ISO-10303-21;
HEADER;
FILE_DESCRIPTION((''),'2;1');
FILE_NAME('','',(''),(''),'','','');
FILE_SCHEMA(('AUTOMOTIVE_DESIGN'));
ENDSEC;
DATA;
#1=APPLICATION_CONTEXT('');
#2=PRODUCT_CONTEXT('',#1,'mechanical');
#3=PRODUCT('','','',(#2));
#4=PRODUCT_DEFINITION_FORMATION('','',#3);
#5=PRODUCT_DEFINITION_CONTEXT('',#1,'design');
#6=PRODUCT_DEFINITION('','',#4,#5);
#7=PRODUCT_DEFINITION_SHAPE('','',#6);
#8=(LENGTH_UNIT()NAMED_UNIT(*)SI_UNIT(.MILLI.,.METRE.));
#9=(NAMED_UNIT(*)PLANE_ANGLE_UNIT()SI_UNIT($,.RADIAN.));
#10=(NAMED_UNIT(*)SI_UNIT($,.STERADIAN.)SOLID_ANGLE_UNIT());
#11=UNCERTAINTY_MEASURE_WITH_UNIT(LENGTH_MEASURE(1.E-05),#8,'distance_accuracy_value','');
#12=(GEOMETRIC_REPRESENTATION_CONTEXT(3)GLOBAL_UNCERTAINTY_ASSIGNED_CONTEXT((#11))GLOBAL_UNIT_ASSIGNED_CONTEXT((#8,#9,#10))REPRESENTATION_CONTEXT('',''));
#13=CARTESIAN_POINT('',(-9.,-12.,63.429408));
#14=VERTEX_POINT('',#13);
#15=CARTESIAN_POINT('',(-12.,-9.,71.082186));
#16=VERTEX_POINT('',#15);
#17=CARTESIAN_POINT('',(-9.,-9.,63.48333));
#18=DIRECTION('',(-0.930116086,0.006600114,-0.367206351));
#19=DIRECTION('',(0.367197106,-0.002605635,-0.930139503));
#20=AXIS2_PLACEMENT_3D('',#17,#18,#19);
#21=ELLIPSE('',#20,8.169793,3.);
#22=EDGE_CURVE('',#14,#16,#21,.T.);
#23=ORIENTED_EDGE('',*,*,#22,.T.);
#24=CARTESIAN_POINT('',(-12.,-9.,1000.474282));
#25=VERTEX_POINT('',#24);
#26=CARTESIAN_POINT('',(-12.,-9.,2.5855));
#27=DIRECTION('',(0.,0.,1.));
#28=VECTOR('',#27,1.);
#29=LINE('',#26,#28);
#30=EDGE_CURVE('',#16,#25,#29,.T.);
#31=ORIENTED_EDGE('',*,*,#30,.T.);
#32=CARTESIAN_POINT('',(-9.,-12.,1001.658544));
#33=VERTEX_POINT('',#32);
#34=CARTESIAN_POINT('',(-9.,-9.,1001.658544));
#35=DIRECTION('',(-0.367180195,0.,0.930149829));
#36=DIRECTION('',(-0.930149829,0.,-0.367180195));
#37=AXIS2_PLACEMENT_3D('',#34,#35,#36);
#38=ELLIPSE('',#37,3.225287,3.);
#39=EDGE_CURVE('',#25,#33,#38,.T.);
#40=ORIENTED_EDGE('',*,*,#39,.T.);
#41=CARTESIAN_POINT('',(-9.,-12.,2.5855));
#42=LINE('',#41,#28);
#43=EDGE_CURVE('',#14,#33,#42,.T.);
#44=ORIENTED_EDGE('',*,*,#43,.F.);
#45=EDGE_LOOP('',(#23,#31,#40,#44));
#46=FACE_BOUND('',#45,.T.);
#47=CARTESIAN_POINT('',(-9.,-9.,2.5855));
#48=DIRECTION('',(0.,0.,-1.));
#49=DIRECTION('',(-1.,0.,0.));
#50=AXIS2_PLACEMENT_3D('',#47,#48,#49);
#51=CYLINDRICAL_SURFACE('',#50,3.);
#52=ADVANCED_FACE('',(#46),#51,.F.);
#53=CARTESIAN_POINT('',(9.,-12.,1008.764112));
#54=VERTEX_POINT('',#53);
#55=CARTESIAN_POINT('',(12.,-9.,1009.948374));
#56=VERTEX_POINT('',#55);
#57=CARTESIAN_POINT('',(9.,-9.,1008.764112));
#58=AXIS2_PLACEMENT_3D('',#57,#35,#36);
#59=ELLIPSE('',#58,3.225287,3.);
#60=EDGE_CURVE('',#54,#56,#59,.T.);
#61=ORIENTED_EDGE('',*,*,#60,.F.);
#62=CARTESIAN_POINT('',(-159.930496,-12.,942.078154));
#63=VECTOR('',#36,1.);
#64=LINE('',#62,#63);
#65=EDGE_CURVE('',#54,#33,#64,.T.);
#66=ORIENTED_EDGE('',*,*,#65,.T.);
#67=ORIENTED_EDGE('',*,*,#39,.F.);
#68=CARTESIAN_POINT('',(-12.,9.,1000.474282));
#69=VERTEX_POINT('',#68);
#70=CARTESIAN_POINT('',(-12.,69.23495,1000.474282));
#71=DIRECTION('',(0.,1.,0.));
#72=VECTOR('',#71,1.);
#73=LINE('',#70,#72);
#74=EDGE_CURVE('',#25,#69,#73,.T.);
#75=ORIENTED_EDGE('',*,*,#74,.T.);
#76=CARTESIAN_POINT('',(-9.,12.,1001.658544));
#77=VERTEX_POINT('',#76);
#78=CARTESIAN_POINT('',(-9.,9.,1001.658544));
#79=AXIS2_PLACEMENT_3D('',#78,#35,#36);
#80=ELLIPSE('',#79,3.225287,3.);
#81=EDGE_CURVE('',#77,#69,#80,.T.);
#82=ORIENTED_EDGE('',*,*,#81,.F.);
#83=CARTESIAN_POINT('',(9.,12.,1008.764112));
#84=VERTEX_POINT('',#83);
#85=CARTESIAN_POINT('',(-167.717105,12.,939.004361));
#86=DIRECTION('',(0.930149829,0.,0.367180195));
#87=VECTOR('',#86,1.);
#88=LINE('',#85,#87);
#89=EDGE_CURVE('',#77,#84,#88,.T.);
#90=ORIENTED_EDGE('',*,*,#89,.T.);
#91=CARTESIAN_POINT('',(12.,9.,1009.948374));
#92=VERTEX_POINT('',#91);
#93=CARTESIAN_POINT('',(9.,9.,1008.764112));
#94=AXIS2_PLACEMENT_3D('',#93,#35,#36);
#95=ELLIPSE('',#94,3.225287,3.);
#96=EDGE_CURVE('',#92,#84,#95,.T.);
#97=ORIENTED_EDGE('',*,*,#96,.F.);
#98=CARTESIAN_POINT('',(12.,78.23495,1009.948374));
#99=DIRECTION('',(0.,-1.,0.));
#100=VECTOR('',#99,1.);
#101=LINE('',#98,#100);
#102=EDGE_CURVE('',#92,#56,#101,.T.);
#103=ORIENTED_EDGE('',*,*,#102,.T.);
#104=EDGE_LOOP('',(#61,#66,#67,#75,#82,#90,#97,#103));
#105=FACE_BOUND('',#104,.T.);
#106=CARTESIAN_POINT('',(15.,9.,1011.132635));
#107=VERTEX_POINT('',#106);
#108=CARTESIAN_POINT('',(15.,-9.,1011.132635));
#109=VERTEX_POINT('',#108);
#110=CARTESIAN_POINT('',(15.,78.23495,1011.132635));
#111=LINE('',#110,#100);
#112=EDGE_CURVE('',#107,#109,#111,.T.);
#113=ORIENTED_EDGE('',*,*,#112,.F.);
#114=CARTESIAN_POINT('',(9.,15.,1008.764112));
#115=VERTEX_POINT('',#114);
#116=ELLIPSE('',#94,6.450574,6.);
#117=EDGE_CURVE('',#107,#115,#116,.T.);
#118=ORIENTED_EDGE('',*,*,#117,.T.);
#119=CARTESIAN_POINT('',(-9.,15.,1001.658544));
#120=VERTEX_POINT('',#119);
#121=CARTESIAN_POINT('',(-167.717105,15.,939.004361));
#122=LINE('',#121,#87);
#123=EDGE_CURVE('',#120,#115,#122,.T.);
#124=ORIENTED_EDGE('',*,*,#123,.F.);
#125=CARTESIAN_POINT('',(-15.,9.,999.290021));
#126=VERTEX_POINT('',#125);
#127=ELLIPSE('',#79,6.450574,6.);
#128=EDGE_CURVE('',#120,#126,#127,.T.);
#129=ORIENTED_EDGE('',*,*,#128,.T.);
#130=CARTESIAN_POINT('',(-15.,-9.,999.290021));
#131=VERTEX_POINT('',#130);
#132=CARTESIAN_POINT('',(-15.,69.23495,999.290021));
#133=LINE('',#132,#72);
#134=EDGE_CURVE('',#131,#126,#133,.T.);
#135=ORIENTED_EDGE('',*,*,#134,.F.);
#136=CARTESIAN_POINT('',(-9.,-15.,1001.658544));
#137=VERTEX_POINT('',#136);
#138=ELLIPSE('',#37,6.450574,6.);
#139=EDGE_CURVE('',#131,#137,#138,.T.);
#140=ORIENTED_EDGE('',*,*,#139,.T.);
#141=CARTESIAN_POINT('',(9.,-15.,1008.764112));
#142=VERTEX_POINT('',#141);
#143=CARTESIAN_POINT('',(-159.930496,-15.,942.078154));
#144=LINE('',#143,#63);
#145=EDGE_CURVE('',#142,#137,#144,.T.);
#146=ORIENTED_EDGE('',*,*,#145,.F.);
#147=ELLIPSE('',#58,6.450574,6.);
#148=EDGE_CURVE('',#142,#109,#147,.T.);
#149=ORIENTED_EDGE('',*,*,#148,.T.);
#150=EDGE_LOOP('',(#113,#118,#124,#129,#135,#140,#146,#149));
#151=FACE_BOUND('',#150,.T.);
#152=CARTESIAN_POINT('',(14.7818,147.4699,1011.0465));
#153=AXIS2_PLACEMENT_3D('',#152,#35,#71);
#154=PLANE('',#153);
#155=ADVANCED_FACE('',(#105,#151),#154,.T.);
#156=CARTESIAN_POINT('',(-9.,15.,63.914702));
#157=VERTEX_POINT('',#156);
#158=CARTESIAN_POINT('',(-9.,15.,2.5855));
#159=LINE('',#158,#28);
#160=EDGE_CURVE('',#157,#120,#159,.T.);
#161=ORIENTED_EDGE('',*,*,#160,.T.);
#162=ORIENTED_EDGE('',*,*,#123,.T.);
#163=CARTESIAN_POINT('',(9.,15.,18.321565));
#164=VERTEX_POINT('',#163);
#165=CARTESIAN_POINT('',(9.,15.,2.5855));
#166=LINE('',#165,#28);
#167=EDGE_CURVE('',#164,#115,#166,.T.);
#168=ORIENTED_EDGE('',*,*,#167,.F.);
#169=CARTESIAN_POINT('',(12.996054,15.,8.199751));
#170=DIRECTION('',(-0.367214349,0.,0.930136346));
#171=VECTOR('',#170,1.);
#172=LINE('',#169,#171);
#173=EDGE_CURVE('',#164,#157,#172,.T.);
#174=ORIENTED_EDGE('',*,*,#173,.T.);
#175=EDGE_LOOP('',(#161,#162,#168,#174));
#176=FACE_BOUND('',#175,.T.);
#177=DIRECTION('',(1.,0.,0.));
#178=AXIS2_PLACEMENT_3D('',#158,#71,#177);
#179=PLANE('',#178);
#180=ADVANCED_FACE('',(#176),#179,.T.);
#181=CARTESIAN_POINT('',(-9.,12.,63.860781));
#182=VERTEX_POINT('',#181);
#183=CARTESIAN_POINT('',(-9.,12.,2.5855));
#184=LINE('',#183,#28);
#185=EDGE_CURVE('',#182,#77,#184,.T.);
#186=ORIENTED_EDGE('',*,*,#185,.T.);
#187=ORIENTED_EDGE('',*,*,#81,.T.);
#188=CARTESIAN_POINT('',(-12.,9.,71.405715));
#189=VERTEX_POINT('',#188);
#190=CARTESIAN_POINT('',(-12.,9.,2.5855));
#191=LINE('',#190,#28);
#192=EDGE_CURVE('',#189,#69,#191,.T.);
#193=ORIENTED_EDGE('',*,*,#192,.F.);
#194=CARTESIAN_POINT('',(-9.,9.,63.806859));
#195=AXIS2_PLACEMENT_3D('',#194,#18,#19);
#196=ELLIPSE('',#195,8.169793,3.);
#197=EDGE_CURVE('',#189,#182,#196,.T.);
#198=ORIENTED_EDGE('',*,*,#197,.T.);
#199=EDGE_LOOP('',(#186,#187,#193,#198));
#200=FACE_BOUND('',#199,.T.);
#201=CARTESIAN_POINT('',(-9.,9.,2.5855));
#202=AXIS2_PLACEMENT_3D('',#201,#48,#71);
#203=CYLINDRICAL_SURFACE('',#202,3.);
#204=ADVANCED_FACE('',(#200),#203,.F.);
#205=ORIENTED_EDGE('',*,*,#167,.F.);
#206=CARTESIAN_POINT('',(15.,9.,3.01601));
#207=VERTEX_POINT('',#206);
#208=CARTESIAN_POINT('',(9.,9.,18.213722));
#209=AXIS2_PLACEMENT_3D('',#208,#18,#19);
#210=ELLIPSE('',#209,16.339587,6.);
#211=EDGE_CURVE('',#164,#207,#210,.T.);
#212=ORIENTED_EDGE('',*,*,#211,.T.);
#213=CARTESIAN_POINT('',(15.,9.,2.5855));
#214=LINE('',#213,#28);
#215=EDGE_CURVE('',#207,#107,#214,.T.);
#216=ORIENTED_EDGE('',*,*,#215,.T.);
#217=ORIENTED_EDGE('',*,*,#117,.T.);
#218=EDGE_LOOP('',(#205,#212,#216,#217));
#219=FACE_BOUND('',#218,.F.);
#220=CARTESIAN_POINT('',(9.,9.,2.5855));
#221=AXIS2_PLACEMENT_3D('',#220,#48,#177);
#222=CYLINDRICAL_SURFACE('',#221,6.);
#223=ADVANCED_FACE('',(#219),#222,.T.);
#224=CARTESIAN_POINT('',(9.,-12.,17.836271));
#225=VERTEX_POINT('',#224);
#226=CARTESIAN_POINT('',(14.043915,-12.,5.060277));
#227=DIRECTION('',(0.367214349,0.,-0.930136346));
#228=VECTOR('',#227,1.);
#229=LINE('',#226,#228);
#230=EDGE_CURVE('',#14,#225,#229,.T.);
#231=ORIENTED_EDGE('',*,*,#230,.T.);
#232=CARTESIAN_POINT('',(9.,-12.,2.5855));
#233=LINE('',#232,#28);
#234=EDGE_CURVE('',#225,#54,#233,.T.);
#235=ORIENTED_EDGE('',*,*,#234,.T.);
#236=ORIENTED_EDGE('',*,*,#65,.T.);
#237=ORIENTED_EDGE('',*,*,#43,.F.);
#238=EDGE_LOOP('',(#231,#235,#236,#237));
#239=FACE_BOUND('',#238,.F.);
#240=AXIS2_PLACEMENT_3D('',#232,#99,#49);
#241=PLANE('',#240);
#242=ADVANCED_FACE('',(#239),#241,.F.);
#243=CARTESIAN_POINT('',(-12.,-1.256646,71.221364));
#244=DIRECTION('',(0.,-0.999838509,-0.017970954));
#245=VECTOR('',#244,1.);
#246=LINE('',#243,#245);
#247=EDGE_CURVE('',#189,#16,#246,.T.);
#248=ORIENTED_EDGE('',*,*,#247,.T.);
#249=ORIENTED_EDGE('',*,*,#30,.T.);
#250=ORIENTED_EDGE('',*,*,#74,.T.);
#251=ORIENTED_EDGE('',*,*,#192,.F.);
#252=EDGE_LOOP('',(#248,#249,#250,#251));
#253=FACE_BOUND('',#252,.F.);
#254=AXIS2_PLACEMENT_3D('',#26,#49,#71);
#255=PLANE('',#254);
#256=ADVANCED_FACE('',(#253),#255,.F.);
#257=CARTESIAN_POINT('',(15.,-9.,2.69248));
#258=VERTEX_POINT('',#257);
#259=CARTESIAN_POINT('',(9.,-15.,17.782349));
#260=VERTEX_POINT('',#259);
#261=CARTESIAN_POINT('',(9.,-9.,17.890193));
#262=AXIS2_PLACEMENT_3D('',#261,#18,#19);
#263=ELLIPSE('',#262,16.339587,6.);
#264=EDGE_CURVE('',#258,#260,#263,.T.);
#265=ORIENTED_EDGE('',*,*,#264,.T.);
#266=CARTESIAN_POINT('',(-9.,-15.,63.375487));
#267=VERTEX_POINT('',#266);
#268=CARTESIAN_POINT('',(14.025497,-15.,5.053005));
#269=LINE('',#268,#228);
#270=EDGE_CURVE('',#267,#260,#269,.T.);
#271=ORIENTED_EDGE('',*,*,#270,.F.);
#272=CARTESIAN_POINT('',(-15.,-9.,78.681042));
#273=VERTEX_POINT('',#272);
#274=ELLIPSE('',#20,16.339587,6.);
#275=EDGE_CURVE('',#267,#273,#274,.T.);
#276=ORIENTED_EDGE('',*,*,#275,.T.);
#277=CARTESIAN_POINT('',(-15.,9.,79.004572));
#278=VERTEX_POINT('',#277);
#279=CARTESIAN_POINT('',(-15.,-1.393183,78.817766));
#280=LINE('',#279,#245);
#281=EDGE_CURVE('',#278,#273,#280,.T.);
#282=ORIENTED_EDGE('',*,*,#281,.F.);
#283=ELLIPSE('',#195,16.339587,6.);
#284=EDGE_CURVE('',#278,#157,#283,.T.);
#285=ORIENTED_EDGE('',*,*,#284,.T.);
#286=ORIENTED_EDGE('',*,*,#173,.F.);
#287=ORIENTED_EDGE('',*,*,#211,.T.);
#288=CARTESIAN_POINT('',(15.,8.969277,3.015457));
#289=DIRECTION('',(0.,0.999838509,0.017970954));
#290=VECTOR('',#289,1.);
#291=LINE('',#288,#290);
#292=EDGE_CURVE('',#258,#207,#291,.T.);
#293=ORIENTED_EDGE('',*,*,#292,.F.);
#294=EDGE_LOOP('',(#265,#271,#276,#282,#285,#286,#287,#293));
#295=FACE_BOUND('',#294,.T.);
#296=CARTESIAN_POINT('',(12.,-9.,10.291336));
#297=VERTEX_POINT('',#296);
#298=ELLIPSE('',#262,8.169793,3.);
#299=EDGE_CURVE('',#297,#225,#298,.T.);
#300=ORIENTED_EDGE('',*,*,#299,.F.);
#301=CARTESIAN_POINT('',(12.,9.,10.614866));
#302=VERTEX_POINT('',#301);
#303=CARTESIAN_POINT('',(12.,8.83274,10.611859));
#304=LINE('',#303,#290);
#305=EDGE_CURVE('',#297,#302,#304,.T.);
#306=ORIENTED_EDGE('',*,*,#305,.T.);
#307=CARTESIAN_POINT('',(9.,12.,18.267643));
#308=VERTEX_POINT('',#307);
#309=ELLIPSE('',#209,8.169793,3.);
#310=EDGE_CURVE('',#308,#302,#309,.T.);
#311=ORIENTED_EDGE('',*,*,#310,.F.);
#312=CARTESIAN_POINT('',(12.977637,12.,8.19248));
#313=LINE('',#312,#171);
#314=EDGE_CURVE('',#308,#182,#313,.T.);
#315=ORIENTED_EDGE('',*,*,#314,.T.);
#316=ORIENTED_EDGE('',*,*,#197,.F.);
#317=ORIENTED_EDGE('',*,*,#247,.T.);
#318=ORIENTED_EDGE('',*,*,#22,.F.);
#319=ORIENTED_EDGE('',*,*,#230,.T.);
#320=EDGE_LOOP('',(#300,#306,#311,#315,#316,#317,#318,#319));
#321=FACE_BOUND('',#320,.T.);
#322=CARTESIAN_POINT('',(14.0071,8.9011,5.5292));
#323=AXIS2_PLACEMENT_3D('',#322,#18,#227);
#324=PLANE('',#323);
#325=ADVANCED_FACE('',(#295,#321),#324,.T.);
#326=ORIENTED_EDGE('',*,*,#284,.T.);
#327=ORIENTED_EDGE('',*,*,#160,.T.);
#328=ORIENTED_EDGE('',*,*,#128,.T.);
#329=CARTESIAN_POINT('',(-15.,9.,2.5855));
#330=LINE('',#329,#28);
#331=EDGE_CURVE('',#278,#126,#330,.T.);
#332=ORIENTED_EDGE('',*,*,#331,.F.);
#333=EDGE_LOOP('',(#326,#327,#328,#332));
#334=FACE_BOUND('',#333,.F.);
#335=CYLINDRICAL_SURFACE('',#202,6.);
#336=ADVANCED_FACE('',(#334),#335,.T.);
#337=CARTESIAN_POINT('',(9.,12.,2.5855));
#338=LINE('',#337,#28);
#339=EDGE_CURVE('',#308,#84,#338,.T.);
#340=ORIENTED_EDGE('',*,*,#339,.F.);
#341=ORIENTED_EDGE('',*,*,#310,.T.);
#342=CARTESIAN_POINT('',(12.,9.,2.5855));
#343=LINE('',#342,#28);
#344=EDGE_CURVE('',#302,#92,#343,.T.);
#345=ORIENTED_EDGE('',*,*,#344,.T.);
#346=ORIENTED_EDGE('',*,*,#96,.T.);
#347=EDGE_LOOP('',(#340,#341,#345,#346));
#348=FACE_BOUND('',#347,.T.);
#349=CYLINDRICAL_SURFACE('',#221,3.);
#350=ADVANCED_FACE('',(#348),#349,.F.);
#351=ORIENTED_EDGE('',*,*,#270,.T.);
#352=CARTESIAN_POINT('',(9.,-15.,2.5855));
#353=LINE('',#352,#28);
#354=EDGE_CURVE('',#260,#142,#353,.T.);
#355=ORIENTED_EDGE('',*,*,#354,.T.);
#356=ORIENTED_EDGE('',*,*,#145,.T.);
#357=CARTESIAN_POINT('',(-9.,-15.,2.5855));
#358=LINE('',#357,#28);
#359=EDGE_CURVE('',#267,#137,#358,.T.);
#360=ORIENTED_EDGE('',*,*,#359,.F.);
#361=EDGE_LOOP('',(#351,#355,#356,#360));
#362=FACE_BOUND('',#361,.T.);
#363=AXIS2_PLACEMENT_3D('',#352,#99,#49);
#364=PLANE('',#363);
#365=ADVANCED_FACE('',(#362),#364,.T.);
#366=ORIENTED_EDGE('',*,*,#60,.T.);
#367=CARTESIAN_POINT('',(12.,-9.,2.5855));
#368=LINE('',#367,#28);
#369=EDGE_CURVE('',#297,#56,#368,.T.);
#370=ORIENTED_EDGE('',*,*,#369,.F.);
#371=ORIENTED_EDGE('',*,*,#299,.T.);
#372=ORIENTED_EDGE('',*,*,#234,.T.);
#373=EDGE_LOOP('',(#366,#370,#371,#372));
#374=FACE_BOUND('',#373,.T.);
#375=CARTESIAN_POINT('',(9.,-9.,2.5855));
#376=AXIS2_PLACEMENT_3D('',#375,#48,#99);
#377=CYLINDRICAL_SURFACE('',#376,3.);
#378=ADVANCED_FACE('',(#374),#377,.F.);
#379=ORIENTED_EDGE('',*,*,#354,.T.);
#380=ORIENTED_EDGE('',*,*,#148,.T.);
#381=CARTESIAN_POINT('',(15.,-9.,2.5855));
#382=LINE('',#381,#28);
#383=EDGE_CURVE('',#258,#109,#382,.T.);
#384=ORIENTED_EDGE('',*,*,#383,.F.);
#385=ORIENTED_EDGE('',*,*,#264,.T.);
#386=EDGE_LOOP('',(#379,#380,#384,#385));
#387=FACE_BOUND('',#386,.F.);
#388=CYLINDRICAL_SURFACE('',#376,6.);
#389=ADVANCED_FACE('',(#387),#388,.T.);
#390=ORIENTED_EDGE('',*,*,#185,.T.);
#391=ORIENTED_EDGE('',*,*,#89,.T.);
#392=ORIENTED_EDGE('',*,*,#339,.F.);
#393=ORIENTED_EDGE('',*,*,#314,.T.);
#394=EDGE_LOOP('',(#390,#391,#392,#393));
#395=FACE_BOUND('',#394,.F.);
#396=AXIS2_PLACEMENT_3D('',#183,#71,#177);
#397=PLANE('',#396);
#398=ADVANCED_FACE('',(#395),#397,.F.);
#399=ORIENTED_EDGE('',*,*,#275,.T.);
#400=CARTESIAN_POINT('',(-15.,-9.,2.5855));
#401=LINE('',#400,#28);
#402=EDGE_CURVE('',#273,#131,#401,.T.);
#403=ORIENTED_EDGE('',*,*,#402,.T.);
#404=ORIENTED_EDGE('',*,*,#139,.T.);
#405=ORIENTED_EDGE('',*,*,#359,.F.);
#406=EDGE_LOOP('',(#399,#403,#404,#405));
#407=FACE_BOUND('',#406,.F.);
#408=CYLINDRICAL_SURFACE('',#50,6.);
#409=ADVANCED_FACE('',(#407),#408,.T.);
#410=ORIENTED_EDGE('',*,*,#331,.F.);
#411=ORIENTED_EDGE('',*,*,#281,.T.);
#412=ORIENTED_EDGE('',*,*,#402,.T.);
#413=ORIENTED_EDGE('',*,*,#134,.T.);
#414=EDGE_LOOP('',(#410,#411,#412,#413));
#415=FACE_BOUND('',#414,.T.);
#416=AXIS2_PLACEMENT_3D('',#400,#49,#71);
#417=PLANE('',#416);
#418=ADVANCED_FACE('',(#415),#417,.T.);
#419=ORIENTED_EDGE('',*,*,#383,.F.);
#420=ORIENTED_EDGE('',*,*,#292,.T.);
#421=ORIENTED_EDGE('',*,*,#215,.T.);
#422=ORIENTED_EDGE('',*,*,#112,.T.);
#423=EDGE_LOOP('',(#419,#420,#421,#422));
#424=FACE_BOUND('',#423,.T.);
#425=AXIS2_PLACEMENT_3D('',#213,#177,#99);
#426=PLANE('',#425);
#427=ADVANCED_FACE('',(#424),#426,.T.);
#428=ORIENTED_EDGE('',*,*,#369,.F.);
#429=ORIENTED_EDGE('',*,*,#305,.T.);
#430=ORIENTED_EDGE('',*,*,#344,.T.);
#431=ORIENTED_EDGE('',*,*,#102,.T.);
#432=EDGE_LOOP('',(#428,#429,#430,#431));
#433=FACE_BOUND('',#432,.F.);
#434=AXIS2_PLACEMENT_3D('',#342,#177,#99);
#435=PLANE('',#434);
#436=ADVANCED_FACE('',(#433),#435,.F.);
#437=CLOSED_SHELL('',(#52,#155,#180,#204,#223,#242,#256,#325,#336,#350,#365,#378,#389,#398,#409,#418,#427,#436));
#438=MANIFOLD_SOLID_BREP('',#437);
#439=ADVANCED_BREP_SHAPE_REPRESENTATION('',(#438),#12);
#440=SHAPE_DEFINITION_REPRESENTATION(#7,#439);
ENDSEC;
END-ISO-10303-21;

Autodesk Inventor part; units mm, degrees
ref_plane "Start Plane" through (0, 0, 2.5855) normal (0, 0, 1) x (1, 0, 0)
ref_plane "End Plane" through (0, 0, 1011.1327) normal (0, 0, 1) x (1, 0, 0)
sketch "Sketch" plane through (0, 0, 0) normal (0, 0, 1) x (1, 0, 0)
  line L0 (-15, -9) -> (-15, 9)
  line L1 (-9, 15) -> (9, 15)
  line L2 (15, 9) -> (15, -9)
  line L3 (9, -15) -> (-9, -15)
  arc A0 (-15, -9) -> (-9, -15) centre (-9, -9) ccw
  arc A1 (-9, 15) -> (-15, 9) centre (-9, 9) ccw
  arc A2 (15, 9) -> (9, 15) centre (9, 9) ccw
  arc A3 (9, -15) -> (15, -9) centre (9, -9) ccw
  arc A4 (-9, 12) -> (-12, 9) centre (-9, 9) ccw
  line L4 (-9, 12) -> (9, 12)
  arc A5 (12, 9) -> (9, 12) centre (9, 9) ccw
  line L5 (12, 9) -> (12, -9)
  arc A6 (9, -12) -> (12, -9) centre (9, -9) ccw
  line L6 (9, -12) -> (-9, -12)
  arc A7 (-12, -9) -> (-9, -12) centre (-9, -9) ccw
  line L7 (-12, -9) -> (-12, 9)
  line L8 (0, 22.7397) -> (0, -22.7397) construction
  line L9 (-22.7397, 0) -> (22.7397, 0) construction
  dimension "d7" = 6
  dimension "d10" = 30
  dimension "d11" = 30
  dimension "d12" = 3
  dimension "d15" = 15
  dimension "d16" = 15
extrude "Body" add sketch "Sketch" along normal up to surface (1008.5472 mm away) from surface at 2.5855
sketch "Sketch3" plane through (0, 0, 0) normal (0, 0, 1) x (1, 0, 0)
  line L0 (0, 0) -> (10, 0)
ref_plane "Work Plane3" through (0, 0, 0) normal (0, -1, 0) x (1, 0, 0)
ref_plane "Work Plane4" through (14.7818, 147.4699, 1011.0465) normal (-0.3672, 0, 0.9302) x (0.9302, 0, 0.3672)
split "Split1" plane through (14.7818, 147.4699, 1011.0465) removes the side toward (-0.3672, 0, 0.9302)
ref_plane "Work Plane5" through (14.0071, 8.9011, 5.5292) normal (-0.9301, 0.0066, -0.3672) x (-0.3671, 0.0097, 0.9301)
split "Split2" plane through (14.0071, 8.9011, 5.5292) removes the side toward (-0.9301, 0.0066, -0.3672)
sketch "Sketch4" plane through (0, 0, 0) normal (0, -1, 0) x (1, 0, 0)
  line L0 (-2, 2.5855) -> (12, 2.5855) projected
  line L1 (-2, 1011.1327) -> (12, 1011.1327) projected
  dimension "d18" = 1008.5472
equation "\"d7\" = G_IR"
equation "\"d10\" = G_H"
equation "\"d11\" = G_W"
equation "\"d12\" = G_T"
equation "\"d15\" = 0.5 * d10"
equation "\"d16\" = 0.5 * d11"
equation "\"d3\" = G_L"
equation "\"G_W\" = 30"
equation "\"G_H\" = 30"
equation "\"G_T\" = 3"
equation "\"G_IR\" = 6"
equation "\"G_L\" = 1008.44002"
equation "\"G_OFFSET_START\" = -2.58551"
equation "\"G_OFFSET_END\" = -10.20521"
equation "\"d13\" = -G_OFFSET_START"
equation "\"d14\" = G_OFFSET_END + B_L"
equation "\"B_L\" = 1021.33789"
properties part number "DIN EN 10219-2 - 30 x 30 x 3  - 1008.44" material "Steel, Mild"
